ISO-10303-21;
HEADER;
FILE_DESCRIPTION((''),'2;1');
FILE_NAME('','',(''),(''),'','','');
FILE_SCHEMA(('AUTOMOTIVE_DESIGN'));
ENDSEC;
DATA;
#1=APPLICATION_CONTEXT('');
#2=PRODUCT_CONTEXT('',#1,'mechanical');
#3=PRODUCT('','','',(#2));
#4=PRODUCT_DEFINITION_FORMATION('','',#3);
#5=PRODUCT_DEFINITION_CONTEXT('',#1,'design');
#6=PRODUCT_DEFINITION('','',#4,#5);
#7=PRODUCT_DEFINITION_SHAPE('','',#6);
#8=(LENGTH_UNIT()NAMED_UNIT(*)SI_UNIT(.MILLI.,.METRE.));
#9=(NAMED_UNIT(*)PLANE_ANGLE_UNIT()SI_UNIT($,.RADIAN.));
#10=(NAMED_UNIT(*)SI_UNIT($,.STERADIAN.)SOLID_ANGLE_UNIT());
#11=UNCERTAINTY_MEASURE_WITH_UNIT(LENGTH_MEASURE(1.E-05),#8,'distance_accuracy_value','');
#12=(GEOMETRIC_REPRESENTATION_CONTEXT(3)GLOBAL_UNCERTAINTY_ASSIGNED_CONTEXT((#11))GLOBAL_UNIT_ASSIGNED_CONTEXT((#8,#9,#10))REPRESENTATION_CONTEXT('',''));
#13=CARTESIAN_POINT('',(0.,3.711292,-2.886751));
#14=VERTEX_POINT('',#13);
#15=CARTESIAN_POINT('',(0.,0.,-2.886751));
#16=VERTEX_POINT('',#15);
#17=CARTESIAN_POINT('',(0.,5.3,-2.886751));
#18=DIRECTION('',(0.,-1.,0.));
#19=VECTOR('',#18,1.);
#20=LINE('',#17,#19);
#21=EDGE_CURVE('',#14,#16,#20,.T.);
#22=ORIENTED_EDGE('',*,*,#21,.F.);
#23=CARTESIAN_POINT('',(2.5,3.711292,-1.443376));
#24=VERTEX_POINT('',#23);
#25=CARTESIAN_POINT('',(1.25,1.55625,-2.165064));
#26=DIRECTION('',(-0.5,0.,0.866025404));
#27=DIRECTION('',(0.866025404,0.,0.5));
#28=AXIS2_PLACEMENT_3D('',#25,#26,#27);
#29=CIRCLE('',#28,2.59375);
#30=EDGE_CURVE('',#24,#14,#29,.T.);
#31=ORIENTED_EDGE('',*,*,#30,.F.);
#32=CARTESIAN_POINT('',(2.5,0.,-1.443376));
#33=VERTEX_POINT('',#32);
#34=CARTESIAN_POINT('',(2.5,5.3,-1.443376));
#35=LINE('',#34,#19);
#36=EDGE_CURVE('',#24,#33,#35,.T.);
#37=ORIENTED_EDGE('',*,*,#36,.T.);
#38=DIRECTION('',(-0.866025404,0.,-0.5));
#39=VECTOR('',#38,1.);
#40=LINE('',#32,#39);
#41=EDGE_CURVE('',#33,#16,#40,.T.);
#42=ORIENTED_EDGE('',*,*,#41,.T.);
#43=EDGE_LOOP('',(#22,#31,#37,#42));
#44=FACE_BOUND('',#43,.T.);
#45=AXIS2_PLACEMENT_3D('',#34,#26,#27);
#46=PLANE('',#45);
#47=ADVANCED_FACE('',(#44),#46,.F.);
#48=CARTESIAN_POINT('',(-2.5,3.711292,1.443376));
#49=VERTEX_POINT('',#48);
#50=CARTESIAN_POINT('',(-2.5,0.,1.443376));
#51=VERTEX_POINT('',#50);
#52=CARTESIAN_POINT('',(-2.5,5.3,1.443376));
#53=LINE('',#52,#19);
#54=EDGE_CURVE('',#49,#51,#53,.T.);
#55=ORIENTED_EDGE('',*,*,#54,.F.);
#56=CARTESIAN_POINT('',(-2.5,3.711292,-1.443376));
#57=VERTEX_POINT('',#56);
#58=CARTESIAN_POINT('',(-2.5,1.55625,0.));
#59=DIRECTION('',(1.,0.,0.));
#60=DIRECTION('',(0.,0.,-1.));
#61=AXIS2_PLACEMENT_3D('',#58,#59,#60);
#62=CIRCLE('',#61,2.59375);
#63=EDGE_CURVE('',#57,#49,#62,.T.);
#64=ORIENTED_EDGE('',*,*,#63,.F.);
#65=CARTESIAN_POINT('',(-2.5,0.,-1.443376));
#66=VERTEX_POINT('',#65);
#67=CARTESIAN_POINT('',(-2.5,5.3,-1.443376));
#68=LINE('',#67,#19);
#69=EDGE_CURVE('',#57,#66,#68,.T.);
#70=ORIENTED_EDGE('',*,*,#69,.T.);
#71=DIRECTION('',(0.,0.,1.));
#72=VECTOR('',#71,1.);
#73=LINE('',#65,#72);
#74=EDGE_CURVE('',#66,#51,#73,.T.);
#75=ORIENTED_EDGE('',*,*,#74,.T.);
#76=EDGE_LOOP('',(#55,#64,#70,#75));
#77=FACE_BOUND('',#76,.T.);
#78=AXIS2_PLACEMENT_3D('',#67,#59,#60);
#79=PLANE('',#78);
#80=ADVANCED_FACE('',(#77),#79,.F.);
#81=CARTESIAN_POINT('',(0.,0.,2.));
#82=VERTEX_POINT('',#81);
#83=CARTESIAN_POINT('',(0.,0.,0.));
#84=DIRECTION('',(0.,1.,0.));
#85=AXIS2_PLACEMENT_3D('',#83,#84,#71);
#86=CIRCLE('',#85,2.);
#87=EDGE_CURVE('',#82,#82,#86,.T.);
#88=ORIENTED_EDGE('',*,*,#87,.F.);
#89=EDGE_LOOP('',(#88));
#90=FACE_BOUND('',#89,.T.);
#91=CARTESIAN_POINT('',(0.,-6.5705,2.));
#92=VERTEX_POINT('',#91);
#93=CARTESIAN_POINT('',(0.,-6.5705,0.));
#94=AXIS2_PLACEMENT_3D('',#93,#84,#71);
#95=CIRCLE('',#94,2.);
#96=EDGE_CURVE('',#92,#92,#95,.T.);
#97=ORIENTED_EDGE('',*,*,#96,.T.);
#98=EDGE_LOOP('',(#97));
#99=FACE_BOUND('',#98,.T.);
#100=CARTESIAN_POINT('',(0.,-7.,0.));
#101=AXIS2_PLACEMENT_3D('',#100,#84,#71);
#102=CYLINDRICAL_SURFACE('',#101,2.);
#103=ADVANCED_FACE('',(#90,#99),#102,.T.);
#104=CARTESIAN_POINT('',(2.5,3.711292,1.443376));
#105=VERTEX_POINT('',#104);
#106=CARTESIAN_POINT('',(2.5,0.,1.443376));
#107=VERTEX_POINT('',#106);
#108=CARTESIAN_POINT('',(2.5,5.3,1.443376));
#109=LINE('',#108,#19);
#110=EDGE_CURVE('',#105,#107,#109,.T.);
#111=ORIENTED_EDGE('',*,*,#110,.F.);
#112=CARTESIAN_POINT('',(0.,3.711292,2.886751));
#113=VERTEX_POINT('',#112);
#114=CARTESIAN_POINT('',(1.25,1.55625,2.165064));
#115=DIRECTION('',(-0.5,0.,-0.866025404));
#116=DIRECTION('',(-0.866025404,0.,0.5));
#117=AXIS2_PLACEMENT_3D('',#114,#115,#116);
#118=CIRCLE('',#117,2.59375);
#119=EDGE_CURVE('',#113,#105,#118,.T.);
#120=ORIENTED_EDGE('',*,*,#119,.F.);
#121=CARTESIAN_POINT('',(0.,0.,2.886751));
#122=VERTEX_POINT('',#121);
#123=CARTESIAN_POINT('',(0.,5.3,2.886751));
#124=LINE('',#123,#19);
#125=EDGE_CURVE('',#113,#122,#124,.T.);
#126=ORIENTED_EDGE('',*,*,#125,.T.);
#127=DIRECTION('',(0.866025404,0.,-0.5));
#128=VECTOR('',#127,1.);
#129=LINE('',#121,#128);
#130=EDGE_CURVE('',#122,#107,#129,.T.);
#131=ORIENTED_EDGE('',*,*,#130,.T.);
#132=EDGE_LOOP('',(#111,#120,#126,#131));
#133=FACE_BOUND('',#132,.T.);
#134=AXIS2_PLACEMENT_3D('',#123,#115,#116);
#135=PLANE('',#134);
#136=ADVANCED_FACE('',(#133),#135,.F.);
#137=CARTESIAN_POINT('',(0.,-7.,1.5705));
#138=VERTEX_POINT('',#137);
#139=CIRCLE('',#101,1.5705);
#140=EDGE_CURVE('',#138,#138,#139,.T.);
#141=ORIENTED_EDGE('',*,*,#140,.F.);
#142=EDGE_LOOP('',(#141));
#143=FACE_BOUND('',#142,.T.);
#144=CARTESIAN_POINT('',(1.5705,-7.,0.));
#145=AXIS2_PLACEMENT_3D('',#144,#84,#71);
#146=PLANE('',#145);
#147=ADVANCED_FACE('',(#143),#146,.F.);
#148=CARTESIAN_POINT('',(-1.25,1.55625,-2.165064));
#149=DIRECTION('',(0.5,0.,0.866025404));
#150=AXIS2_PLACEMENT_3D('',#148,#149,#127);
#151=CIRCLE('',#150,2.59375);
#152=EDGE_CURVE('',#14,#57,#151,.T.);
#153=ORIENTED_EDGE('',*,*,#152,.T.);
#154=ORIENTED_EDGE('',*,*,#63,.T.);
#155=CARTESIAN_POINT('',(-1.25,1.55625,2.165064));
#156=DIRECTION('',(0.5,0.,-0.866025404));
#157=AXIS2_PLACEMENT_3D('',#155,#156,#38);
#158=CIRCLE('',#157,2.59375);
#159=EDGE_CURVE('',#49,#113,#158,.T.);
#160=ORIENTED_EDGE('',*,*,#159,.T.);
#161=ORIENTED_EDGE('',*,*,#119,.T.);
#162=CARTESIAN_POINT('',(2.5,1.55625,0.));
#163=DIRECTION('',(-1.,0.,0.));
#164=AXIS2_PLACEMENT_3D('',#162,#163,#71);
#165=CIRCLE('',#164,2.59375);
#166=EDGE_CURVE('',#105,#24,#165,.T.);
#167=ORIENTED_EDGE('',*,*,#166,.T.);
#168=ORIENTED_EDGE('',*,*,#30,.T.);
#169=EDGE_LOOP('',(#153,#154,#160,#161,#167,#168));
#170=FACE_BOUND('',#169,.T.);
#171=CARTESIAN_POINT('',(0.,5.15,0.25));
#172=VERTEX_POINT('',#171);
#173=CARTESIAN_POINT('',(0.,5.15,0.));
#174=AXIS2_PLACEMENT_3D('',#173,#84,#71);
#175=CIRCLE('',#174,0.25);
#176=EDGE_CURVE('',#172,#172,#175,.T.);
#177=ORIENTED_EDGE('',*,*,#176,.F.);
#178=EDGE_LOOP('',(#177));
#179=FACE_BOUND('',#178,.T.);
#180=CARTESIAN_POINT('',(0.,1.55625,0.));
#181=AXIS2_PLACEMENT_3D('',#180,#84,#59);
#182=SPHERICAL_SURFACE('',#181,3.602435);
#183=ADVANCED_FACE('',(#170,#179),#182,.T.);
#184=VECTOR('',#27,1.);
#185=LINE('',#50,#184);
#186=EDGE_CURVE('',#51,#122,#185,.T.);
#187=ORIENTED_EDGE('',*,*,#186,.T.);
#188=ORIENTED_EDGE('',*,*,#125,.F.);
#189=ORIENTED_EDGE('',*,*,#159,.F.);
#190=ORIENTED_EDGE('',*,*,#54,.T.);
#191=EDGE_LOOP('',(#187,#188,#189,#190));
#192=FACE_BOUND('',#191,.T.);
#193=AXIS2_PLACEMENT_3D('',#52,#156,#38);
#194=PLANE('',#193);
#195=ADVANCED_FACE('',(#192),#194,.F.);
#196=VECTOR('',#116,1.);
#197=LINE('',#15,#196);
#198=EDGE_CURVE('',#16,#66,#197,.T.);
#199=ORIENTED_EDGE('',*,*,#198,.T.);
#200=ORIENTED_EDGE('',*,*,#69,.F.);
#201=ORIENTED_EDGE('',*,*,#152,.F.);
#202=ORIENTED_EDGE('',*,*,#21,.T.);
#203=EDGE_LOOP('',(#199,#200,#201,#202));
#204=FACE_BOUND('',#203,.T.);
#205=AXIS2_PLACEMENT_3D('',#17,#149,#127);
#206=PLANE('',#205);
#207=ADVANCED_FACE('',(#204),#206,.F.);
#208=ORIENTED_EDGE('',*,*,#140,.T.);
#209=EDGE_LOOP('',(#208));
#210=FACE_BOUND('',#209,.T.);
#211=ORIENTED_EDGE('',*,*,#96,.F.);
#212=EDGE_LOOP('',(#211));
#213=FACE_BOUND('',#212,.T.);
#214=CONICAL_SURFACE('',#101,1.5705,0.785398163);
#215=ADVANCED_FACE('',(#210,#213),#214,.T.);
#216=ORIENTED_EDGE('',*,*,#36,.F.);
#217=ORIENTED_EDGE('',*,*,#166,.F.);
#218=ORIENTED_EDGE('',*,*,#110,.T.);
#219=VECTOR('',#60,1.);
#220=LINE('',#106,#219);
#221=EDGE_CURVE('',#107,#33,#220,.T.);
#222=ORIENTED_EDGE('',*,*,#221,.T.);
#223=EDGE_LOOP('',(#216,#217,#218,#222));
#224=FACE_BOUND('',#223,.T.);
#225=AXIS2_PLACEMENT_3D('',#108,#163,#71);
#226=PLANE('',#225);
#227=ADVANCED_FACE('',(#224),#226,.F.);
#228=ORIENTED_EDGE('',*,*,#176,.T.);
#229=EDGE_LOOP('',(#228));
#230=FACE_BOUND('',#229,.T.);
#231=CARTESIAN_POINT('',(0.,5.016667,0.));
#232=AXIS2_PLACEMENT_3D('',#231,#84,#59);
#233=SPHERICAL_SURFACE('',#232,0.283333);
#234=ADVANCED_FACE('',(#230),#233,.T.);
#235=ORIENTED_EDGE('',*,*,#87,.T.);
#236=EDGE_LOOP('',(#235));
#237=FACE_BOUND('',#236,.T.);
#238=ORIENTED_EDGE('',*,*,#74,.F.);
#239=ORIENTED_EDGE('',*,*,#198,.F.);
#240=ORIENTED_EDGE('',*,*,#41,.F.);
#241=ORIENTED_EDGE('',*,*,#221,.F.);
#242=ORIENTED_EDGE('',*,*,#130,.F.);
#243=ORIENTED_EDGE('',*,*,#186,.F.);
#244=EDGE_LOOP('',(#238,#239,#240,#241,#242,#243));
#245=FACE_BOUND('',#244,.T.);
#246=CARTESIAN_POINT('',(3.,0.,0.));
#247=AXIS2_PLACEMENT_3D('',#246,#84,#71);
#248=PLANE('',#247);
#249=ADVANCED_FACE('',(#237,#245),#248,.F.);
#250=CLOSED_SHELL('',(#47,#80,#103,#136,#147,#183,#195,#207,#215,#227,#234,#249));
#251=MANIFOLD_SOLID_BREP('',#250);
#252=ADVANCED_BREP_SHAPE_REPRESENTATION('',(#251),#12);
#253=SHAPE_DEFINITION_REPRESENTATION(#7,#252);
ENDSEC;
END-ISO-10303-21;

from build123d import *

# Parameters (mm, degrees)
SKETCH_2_R          = 5
CUT_EXTRUDE_1_DEPTH = 5.3


with BuildPart() as part:
    # Эскиз1 → Повернуть1 (revolve)
    with BuildSketch(Plane.XY, mode=Mode.PRIVATE) as revolve_1_sk:
        with BuildLine():
            Line((3, 3.550626861), (3, 0))
            Line((3, 0), (2, 0))
            Line((2, 0), (2, -6.5705))
            Line((2, -6.5705), (1.5705, -7))
            Line((1.5705, -7), (0, -7))
            Line((0, -7), (0, 5.3))
            ThreePointArc((0, 5.3), (0.145773797, 5.259622996), (0.25, 5.15))
            ThreePointArc((0.25, 5.15), (1.811111153, 4.670317349), (3, 3.550626861))
        make_face()
    revolve(revolve_1_sk.sketch.rotate(Axis((0, -7, 0), (0, 1, 0)), 270), axis=Axis((0, -7, 0), (0, 1, 0)))

    # Эскиз2 → Вырез-Вытянуть1 (cut)
    with BuildSketch(Plane(origin=(0, 0, 0), x_dir=(1, 0, 0), z_dir=(0, 1, 0))):
        Circle(SKETCH_2_R)
        Polygon((-2.5, 1.443375673), (-2.5, -1.443375673), (0, -2.886751346), (2.5, -1.443375673), (2.5, 1.443375673), (0, 2.886751346), align=None, mode=Mode.SUBTRACT)
    extrude(amount=CUT_EXTRUDE_1_DEPTH, mode=Mode.SUBTRACT)


solid = part.part
